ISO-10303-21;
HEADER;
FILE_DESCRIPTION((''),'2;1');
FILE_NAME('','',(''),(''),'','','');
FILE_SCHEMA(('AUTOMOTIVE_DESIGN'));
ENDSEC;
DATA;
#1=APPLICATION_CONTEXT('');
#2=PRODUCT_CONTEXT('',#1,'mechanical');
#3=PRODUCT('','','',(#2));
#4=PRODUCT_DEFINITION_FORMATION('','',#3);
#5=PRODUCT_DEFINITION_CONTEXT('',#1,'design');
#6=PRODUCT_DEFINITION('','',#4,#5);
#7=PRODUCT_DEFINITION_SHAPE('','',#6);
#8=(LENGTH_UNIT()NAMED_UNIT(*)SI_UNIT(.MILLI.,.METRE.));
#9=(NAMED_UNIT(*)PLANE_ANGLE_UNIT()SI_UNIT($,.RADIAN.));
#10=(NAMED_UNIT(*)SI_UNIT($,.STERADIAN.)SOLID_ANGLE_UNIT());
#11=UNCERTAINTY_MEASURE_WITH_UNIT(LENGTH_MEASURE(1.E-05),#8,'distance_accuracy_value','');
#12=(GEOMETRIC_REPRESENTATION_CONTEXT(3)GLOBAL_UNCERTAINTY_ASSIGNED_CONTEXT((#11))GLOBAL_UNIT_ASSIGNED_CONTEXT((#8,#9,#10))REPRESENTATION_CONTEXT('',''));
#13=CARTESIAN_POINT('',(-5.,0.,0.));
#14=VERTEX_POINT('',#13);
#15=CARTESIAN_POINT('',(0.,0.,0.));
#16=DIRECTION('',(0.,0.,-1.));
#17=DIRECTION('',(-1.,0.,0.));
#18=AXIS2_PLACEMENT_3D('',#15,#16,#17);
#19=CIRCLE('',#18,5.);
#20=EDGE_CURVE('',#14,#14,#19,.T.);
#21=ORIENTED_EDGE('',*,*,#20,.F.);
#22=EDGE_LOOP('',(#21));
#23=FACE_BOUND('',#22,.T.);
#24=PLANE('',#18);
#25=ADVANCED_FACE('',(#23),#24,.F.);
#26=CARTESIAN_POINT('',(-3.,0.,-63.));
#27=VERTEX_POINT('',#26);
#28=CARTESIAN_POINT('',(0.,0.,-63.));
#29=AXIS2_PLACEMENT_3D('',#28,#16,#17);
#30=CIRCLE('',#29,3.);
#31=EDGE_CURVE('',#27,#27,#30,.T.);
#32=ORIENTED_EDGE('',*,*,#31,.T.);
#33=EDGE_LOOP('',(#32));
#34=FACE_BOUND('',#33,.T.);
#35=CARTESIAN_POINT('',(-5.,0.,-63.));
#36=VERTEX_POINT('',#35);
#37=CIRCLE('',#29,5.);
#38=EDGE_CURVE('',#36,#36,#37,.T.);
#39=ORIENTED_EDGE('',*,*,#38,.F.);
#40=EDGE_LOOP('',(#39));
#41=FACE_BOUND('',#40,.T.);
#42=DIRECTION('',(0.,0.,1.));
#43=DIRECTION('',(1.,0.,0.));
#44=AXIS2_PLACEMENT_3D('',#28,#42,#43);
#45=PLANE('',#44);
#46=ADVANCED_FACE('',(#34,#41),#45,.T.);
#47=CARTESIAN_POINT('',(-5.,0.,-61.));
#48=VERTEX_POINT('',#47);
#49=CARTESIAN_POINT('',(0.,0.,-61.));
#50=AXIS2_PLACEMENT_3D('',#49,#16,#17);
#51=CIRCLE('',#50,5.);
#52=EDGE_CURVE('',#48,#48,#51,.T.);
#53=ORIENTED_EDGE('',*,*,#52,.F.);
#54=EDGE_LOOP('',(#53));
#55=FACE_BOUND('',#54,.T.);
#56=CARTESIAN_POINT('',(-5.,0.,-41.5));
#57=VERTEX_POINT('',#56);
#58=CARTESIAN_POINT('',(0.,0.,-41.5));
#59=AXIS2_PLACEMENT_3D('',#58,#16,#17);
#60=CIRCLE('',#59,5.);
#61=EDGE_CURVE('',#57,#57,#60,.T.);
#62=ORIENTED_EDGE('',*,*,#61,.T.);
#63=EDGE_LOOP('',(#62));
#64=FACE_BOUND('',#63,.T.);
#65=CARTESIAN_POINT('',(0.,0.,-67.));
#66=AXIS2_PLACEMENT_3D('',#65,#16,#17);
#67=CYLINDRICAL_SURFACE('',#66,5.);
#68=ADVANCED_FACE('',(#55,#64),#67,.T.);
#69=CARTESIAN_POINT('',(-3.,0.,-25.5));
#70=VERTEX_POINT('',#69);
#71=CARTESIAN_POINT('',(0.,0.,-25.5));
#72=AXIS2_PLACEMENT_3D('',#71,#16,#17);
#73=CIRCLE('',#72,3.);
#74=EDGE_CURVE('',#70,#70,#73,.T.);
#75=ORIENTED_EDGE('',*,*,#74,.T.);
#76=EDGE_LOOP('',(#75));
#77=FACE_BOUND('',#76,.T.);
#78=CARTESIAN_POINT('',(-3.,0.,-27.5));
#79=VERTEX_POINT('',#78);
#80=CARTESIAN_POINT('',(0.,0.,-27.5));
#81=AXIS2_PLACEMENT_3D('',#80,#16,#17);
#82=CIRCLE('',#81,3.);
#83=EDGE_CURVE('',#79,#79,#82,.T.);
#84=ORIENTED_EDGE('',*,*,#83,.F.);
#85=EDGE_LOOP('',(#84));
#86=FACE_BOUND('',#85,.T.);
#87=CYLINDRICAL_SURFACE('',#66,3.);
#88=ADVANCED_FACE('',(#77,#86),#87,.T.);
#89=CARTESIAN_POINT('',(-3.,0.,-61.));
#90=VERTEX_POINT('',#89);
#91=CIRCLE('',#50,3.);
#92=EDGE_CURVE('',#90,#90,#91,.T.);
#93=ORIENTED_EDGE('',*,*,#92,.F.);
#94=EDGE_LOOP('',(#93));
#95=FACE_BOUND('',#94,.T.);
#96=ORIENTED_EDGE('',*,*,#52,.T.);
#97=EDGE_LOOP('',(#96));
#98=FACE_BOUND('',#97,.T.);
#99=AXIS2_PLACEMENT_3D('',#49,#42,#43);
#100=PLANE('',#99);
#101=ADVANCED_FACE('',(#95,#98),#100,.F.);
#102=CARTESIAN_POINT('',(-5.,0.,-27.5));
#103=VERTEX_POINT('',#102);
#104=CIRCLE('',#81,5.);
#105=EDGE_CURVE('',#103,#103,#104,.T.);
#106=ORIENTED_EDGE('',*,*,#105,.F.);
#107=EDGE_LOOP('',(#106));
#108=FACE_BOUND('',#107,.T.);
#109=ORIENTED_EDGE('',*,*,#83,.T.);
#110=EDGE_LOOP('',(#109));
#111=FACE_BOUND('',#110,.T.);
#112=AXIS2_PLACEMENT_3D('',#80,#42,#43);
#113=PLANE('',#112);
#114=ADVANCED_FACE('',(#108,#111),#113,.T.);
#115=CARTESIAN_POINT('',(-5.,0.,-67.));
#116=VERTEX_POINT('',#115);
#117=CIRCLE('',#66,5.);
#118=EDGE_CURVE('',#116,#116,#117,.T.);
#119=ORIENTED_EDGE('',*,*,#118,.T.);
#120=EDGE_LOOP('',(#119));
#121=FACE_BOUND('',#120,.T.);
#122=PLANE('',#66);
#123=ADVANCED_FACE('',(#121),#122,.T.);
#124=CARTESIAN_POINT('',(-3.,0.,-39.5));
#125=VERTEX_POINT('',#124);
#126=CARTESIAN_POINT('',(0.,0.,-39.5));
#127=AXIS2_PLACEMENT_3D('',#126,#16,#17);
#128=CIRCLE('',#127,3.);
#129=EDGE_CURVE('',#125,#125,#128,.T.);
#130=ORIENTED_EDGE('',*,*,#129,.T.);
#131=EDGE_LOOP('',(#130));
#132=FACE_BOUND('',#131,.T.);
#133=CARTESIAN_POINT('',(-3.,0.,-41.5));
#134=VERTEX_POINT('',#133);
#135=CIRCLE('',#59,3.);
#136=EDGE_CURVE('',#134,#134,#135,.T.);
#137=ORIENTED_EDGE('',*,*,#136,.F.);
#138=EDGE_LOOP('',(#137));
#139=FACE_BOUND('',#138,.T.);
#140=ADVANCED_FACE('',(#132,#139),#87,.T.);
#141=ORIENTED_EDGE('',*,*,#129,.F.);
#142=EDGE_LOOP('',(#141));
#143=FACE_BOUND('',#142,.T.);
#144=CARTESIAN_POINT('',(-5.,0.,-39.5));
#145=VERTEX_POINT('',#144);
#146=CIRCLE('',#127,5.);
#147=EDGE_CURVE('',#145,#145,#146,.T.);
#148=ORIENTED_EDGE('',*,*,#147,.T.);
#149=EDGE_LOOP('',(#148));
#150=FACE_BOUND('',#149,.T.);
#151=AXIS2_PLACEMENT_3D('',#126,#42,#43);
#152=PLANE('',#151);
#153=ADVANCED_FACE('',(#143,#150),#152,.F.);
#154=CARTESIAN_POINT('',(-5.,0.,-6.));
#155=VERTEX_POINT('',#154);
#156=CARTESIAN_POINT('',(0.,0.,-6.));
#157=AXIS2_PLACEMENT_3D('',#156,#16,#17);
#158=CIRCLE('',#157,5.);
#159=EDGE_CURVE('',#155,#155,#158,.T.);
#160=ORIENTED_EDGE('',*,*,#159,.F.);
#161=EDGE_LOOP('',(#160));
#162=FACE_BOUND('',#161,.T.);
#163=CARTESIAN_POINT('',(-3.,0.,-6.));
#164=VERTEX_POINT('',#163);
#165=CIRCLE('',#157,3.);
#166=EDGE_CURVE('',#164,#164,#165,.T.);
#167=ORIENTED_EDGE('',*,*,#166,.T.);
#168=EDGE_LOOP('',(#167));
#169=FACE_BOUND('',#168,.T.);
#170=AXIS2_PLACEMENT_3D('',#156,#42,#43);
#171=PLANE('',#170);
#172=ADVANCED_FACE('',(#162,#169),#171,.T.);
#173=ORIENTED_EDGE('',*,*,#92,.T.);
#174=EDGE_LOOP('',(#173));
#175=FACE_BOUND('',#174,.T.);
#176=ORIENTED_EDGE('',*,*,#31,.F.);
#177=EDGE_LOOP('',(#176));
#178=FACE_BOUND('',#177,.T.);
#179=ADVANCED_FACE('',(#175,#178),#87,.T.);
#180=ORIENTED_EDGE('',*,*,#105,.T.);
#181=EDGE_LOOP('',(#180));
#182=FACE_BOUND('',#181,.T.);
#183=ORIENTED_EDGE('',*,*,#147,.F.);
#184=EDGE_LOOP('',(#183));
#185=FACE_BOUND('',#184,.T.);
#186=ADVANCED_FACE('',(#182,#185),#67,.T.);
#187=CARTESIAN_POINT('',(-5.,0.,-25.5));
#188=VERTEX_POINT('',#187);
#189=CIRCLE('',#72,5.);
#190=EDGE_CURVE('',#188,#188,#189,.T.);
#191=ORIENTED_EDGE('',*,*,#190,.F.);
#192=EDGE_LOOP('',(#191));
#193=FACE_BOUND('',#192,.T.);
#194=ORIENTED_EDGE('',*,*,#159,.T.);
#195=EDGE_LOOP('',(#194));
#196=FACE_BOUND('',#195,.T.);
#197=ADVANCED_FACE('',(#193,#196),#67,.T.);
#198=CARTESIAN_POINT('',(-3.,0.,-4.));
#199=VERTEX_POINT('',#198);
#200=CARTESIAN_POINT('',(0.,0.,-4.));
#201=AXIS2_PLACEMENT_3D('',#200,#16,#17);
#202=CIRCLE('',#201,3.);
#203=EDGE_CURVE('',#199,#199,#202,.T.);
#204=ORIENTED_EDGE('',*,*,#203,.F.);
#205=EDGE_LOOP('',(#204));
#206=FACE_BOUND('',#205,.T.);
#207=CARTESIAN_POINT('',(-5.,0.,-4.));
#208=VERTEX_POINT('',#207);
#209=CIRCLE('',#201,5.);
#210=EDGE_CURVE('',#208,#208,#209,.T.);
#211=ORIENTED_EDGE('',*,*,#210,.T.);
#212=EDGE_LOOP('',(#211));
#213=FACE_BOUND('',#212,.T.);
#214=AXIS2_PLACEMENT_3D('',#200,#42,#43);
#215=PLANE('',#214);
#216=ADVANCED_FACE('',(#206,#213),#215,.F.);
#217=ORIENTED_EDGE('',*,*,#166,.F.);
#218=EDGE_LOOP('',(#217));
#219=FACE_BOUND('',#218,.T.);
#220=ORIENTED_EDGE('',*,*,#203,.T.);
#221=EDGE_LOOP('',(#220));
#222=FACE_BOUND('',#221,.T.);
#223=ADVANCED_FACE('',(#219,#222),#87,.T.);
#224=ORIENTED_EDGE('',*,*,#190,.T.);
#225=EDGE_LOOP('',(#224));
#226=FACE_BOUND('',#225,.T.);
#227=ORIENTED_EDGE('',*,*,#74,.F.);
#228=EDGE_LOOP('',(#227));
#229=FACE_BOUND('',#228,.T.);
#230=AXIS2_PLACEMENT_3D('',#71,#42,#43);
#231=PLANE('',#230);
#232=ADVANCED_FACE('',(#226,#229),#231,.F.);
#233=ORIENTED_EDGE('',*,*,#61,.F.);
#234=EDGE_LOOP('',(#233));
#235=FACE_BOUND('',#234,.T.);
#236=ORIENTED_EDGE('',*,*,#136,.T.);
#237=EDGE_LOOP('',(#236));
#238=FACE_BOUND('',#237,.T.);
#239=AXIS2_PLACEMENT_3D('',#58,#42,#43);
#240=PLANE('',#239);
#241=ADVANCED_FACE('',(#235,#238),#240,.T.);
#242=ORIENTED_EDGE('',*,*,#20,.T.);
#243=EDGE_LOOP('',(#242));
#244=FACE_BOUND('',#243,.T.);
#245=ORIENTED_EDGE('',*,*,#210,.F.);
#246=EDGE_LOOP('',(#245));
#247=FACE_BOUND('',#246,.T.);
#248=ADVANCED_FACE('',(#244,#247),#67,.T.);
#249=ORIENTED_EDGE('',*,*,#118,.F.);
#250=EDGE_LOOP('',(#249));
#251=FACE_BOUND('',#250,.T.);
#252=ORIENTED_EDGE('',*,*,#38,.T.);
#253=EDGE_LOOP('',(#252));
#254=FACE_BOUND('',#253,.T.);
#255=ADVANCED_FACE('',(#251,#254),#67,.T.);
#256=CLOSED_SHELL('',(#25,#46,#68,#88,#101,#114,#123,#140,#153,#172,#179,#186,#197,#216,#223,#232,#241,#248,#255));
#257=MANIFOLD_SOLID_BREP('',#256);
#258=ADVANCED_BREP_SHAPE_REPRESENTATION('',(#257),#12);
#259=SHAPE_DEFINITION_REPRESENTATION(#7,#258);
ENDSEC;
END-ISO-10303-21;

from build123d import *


with BuildPart() as part:
    # Sketch2 → Revolve1 (revolve)
    with BuildSketch(Plane(origin=(0, 0, 0), x_dir=(1, 0, 0), z_dir=(0, 1, 0))):
        Polygon((0, 0), (0, 67), (-5, 67), (-5, 63), (-3, 63), (-3, 61), (-5, 61), (-5, 41.5), (-3, 41.5), (-3, 39.5), (-5, 39.5), (-5, 27.5), (-3, 27.5), (-3, 25.5), (-5, 25.5), (-5, 6), (-3, 6), (-3, 4), (-5, 4), (-5, 0), align=None)
    revolve(axis=Axis((0, 0, -67), (0, 0, 1)))


solid = part.part
